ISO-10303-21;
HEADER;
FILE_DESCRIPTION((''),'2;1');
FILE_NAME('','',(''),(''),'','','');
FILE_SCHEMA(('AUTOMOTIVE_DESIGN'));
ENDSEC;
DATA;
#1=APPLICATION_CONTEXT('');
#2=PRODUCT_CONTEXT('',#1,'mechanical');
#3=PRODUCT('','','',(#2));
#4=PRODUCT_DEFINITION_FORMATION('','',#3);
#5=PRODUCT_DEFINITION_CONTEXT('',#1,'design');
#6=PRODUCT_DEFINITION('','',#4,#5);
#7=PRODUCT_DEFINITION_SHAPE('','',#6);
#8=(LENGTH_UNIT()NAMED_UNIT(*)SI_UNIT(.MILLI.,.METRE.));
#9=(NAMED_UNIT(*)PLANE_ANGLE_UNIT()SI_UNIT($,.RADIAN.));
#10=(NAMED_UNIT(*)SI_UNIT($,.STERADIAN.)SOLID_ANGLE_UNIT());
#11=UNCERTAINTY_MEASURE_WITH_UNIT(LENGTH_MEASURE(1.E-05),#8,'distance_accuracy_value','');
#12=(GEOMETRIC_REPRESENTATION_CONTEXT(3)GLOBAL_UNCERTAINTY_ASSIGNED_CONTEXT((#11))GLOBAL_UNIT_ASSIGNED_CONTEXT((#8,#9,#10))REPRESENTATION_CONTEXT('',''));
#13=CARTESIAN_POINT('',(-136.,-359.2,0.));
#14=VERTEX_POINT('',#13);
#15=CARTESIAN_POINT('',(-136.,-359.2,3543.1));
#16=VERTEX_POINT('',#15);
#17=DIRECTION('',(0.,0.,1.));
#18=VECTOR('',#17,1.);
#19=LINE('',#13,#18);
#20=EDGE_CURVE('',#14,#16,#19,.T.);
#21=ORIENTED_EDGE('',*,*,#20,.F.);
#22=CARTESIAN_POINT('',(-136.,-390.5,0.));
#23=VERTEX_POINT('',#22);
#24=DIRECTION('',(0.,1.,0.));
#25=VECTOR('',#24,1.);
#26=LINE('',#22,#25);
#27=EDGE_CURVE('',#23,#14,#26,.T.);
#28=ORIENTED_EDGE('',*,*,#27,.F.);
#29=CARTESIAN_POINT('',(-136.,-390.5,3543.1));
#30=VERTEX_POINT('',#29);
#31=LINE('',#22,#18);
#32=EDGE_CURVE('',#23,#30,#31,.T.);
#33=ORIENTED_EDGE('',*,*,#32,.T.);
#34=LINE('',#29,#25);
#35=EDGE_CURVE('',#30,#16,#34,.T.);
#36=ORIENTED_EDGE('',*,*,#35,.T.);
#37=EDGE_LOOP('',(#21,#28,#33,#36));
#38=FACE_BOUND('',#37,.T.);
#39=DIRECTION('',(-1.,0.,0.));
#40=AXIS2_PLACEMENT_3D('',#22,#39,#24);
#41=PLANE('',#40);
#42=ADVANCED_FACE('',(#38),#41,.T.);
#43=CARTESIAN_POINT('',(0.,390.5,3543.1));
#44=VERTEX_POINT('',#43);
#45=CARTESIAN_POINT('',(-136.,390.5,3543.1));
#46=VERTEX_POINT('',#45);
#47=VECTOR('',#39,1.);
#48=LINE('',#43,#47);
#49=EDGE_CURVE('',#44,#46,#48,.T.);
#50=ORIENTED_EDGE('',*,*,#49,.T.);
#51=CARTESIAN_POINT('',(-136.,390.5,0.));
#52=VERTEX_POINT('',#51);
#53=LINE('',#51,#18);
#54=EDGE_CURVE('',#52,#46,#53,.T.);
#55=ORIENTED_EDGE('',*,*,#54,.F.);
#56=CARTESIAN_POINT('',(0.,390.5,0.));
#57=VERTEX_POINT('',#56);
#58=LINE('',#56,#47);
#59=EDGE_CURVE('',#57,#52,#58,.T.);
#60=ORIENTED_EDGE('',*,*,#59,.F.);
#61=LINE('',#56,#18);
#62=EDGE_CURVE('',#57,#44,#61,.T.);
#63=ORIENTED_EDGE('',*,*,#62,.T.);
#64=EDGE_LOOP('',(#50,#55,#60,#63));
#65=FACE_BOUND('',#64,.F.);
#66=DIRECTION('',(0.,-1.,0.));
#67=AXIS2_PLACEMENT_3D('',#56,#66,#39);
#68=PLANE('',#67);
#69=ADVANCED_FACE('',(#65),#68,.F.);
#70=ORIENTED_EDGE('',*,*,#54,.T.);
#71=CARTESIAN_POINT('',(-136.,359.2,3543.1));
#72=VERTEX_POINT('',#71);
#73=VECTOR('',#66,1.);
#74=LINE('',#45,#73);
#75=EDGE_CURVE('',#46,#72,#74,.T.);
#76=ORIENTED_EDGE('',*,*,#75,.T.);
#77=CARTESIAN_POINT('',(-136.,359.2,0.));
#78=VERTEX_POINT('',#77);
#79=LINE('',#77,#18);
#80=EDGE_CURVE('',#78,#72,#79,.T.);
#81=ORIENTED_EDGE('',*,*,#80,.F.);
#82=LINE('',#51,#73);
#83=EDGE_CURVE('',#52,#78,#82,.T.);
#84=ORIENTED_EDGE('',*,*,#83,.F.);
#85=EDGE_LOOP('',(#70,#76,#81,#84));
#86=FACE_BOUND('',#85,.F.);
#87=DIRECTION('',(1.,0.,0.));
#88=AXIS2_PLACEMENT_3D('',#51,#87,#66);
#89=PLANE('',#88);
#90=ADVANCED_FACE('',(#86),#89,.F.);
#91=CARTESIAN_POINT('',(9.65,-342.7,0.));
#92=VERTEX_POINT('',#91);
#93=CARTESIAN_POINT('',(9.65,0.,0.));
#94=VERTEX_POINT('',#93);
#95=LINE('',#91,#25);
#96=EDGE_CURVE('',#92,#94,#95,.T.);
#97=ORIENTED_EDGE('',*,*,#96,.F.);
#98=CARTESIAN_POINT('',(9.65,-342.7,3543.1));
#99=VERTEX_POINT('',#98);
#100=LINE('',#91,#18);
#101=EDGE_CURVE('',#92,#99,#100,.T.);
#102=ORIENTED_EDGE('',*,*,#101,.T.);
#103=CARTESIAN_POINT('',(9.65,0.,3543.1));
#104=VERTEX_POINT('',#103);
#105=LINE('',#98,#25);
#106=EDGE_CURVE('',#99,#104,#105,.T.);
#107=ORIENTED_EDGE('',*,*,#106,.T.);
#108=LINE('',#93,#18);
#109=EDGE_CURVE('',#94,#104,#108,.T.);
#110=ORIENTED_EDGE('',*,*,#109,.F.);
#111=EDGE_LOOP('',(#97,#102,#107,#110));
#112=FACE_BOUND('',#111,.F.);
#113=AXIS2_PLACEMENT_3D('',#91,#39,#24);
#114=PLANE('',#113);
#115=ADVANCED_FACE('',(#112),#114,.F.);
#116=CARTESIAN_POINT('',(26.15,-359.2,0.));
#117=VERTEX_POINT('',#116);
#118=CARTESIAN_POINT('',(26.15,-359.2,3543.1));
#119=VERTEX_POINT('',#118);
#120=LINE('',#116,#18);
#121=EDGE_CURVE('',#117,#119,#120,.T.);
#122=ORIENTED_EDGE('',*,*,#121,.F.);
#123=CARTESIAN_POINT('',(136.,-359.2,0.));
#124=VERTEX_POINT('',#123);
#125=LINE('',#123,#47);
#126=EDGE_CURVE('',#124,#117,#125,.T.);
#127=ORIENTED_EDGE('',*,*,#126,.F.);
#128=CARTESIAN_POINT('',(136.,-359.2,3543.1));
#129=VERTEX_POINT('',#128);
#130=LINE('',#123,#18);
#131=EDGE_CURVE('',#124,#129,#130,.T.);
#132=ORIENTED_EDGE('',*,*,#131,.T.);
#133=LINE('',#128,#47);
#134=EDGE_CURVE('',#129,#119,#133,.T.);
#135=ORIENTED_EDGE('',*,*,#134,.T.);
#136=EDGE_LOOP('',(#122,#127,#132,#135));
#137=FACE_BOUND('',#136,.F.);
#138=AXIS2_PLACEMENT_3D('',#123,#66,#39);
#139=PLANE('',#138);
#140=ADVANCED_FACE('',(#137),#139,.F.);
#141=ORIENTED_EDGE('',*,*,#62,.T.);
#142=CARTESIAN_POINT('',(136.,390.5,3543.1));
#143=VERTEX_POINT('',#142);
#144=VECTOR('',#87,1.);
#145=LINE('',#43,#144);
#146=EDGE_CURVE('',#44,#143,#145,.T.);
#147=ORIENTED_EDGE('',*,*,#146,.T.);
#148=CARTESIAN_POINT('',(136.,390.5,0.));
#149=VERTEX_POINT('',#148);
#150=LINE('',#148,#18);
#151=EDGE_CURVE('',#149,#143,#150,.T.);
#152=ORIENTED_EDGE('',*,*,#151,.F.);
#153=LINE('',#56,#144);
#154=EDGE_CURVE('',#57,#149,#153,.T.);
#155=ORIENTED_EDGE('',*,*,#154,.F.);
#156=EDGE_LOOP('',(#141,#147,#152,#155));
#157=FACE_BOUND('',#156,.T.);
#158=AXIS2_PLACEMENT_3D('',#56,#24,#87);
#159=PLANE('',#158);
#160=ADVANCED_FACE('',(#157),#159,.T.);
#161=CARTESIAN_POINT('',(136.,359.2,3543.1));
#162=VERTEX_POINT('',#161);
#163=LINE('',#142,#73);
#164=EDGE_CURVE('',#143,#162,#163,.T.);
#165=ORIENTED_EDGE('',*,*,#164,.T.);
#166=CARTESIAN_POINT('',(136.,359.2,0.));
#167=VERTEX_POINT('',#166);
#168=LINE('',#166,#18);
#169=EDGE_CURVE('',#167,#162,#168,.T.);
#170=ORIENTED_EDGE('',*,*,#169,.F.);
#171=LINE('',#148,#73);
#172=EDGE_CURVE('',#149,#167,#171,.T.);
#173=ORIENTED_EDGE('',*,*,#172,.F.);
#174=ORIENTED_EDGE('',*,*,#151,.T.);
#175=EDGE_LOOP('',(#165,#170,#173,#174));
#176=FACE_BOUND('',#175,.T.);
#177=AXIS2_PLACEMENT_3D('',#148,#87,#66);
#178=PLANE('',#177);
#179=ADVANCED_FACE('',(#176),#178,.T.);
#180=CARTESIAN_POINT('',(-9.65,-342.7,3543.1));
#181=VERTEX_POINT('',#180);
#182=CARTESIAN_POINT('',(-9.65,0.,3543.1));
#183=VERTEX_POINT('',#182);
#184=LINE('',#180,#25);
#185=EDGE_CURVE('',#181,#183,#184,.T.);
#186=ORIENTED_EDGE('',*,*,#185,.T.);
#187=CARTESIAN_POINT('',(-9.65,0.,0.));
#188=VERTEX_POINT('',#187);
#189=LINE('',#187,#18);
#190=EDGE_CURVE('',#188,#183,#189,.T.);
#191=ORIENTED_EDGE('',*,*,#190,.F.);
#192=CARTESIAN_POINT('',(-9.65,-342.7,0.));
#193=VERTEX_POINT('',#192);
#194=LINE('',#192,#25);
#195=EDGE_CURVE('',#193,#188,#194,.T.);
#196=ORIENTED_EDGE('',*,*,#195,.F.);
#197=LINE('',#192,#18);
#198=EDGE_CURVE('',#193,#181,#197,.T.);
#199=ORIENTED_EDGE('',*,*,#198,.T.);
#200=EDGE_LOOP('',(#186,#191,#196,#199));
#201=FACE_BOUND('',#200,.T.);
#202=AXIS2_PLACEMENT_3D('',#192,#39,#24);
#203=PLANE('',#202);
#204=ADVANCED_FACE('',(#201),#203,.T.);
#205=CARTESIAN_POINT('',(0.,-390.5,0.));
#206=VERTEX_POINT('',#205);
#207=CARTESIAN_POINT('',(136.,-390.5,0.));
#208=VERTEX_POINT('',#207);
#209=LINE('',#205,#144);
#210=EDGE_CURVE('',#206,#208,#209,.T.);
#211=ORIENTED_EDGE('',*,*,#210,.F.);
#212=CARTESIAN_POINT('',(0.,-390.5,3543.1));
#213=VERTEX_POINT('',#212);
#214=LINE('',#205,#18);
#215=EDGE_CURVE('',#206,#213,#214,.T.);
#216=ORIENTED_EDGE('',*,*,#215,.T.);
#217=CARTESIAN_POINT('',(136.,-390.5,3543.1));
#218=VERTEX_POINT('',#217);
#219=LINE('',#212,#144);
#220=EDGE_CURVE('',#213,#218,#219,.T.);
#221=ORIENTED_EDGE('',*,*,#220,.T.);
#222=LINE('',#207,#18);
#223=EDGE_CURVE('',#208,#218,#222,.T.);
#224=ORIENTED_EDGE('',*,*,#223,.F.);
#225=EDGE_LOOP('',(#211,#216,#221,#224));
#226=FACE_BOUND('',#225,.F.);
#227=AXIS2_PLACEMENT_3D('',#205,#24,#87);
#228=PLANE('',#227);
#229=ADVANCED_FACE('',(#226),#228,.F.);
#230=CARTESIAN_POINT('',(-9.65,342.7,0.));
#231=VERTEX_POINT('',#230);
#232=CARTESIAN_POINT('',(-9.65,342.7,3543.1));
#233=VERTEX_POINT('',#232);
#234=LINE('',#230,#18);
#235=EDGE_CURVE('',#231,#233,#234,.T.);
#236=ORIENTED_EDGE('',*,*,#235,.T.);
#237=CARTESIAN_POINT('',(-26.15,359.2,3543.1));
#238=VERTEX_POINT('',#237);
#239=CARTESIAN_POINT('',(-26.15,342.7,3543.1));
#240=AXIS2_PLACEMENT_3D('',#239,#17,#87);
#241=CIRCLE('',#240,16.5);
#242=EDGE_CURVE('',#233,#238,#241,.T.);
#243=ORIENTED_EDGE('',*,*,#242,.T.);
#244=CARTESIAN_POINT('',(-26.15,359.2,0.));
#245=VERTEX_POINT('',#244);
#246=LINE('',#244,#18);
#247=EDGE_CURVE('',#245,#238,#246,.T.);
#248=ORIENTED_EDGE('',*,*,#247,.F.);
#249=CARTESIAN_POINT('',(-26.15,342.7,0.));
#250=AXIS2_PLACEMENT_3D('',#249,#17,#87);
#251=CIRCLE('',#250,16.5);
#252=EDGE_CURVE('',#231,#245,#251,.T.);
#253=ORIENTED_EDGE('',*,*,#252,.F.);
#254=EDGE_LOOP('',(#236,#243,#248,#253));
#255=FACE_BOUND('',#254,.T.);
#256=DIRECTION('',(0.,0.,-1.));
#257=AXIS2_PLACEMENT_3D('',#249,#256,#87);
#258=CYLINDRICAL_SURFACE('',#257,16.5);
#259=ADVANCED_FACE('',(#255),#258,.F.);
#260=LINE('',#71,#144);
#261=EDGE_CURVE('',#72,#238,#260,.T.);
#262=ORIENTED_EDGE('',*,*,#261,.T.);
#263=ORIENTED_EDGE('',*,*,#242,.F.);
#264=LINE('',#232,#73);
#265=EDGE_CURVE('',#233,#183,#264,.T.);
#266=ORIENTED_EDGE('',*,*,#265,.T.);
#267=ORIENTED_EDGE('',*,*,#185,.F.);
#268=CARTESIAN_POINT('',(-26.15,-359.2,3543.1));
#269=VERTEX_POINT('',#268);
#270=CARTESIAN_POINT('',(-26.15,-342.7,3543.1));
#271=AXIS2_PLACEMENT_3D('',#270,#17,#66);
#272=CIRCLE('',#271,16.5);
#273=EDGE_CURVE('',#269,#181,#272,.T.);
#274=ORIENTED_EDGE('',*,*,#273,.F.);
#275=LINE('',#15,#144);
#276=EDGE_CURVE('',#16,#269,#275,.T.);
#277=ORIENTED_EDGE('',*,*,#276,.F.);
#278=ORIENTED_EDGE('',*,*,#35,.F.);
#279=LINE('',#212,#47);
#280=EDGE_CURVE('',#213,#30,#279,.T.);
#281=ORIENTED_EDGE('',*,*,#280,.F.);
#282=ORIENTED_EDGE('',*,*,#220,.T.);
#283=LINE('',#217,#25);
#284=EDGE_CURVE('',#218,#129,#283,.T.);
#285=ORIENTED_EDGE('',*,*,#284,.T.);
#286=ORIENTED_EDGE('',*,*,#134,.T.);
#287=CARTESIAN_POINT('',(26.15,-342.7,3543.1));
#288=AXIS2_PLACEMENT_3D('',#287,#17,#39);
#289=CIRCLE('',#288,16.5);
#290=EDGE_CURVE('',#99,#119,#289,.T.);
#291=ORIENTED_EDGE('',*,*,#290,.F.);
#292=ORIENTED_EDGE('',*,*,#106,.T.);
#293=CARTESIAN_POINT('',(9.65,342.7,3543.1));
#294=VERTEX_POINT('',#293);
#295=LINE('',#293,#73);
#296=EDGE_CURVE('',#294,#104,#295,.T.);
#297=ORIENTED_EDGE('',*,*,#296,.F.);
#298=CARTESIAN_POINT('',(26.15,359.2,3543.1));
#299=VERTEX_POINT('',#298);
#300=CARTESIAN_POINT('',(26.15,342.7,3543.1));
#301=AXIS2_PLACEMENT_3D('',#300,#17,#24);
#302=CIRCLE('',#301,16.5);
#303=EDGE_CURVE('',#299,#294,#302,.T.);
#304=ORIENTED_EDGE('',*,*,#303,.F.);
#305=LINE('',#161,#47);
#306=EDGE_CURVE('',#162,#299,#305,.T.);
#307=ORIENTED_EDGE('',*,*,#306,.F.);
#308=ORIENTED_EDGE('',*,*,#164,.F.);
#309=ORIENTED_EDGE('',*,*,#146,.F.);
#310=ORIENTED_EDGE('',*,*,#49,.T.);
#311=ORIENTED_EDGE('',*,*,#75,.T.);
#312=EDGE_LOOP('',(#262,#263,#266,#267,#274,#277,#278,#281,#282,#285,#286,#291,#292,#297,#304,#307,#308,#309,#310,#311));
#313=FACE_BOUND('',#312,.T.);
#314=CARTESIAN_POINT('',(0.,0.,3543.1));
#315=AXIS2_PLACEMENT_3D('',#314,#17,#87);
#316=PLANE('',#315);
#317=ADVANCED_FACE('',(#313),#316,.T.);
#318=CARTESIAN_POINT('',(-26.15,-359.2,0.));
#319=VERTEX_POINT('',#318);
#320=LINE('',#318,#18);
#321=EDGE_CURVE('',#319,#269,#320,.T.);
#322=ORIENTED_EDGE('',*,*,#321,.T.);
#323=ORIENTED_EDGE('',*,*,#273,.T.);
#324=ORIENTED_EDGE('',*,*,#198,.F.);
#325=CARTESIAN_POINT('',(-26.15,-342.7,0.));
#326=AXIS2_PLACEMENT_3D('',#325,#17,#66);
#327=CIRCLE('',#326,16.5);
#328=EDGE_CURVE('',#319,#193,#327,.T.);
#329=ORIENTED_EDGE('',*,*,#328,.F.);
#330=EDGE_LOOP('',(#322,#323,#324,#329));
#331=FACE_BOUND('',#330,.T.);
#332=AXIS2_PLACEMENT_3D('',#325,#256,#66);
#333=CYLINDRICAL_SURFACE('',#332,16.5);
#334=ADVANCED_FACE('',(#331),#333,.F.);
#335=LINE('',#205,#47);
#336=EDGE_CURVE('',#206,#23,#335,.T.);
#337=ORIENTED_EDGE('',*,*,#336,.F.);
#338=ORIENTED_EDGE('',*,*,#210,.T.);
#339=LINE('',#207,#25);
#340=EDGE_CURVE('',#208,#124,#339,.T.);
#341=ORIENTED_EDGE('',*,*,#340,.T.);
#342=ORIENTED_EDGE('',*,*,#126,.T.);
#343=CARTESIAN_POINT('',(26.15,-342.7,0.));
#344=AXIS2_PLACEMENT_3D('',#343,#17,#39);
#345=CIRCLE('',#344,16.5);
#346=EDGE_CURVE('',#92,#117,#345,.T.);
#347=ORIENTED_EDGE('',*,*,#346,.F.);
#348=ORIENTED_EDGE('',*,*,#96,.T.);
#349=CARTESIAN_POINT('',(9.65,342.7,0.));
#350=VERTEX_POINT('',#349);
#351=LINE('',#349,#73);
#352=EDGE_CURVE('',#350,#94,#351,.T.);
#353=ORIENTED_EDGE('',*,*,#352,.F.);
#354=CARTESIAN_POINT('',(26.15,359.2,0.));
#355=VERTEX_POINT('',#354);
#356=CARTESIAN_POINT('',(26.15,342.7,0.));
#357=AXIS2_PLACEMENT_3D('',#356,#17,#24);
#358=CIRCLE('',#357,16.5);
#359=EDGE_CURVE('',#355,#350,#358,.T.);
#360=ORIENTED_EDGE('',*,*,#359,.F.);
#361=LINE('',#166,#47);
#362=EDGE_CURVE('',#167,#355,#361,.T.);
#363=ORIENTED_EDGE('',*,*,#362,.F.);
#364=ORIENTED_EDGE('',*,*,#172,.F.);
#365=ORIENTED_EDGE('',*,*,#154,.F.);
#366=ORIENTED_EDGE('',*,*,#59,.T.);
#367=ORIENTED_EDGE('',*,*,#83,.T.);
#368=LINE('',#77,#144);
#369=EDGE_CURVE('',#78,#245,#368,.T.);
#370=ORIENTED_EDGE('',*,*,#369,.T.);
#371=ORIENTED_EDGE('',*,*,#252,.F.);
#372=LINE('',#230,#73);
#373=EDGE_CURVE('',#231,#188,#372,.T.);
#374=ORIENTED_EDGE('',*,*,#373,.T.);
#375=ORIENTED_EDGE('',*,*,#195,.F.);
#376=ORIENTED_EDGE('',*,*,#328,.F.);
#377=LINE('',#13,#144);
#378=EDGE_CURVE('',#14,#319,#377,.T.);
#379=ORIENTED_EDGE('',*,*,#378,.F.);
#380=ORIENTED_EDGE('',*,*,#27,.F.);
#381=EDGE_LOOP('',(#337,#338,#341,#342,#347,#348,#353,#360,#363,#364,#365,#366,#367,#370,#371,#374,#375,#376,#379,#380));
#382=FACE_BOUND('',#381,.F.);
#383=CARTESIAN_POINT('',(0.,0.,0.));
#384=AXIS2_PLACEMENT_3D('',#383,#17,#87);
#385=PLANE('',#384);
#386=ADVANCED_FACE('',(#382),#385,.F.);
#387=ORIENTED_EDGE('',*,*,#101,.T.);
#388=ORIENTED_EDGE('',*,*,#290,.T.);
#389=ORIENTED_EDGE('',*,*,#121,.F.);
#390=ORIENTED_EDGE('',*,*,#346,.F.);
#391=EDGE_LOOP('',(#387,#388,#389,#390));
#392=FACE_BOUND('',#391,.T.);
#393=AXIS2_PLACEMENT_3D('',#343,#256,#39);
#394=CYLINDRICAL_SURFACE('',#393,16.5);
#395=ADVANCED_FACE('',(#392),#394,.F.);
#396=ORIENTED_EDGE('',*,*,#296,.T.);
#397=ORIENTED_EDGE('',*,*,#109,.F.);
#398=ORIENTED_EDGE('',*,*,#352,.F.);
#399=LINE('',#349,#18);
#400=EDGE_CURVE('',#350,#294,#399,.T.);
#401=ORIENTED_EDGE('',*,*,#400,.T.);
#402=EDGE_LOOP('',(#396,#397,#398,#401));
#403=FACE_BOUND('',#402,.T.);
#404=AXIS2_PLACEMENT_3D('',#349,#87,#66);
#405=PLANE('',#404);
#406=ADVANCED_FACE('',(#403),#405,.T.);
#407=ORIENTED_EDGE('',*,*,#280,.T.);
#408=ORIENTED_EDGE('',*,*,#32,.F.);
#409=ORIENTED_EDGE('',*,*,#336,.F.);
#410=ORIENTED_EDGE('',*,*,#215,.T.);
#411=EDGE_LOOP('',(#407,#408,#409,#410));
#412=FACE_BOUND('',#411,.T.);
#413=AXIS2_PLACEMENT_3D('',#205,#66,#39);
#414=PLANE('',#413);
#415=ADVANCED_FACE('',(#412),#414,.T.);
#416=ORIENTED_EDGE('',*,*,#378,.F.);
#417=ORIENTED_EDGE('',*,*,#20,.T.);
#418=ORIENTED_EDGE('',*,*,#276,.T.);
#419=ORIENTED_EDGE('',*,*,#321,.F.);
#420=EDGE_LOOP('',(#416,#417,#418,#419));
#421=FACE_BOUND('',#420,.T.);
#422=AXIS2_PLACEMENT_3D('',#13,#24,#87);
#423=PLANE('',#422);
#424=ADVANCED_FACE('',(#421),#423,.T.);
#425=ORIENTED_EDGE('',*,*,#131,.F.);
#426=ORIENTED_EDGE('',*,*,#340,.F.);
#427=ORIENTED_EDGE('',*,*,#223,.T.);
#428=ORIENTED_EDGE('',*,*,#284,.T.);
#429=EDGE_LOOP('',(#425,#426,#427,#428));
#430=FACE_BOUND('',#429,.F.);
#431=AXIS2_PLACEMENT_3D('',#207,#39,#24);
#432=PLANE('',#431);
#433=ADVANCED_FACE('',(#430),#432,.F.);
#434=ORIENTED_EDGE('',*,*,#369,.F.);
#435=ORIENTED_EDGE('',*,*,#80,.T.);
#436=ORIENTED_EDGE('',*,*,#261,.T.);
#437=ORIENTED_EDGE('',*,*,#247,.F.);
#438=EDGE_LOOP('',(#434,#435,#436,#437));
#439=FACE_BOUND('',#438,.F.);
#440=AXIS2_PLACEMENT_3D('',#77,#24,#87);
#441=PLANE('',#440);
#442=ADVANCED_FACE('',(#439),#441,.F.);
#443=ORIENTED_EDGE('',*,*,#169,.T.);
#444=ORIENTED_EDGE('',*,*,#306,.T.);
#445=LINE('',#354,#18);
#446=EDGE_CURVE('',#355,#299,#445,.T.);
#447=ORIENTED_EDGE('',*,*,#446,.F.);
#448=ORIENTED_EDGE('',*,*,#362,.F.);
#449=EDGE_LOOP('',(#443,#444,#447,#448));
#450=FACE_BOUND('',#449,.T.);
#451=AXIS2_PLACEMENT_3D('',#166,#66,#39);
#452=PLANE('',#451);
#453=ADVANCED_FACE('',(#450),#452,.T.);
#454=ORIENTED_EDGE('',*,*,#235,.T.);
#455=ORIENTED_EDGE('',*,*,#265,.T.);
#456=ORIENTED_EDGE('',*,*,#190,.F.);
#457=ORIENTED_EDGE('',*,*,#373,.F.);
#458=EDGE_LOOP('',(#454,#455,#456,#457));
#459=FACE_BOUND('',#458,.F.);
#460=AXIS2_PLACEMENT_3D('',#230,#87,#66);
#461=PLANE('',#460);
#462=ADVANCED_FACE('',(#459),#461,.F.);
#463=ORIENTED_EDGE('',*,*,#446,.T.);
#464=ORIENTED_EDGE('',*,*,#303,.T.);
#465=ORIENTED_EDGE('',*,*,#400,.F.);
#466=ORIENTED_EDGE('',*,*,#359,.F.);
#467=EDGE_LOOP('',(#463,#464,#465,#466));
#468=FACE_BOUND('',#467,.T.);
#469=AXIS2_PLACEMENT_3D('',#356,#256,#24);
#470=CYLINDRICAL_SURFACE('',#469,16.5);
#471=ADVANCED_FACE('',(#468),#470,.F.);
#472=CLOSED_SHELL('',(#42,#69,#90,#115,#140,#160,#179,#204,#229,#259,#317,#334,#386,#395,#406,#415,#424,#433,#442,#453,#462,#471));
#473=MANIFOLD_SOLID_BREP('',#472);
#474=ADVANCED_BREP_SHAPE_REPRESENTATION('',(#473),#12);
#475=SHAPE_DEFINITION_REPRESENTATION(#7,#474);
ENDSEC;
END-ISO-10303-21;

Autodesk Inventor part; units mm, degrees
ref_plane "YZ Plane" through (0, 0, 0) normal (1, 0, 0) x (0, 1, 0)
ref_plane "Start plane" through (0, 0, 0) normal (0, 0, 1) x (1, 0, 0)
ref_plane "End plane" through (0, 0, 3543.1) normal (0, 0, 1) x (1, 0, 0)
sketch "Sketch" plane through (0, 0, 0) normal (0, 0, 1) x (1, 0, 0)
  line L0 (-136, -390.5) -> (-136, -359.2)
  line L1 (-136, -359.2) -> (-26.15, -359.2)
  line L2 (-9.65, -342.7) -> (-9.65, 0)
  line L3 (-9.65, 0) -> (0, 0) construction
  line L4 (0, 0) -> (0, -390.5) construction
  line L5 (0, -390.5) -> (-136, -390.5)
  line L6 (-60, 0) -> (80, 0) construction
  line L7 (0, -60) -> (0, 80) construction
  line L8 (136, -390.5) -> (136, -359.2)
  line L9 (136, -359.2) -> (26.15, -359.2)
  line L10 (9.65, -342.7) -> (9.65, 0)
  line L11 (9.65, 0) -> (0, 0) construction
  line L12 (0, -390.5) -> (136, -390.5)
  line L13 (-136, 390.5) -> (-136, 359.2)
  line L14 (-136, 359.2) -> (-26.15, 359.2)
  line L15 (-9.65, 342.7) -> (-9.65, 0)
  line L16 (0, 390.5) -> (-136, 390.5)
  line L17 (136, 390.5) -> (136, 359.2)
  line L18 (136, 359.2) -> (26.15, 359.2)
  line L19 (0, 390.5) -> (136, 390.5)
  line L20 (9.65, 342.7) -> (9.65, 0)
  arc A0 (-9.65, 342.7) -> (-26.15, 359.2) centre (-26.15, 342.7) ccw
  arc A1 (26.15, 359.2) -> (9.65, 342.7) centre (26.15, 342.7) ccw
  arc A2 (9.65, -342.7) -> (26.15, -359.2) centre (26.15, -342.7) ccw
  arc A3 (-26.15, -359.2) -> (-9.65, -342.7) centre (-26.15, -342.7) ccw
  line L21 (0, 108) -> (0, -88) construction
  line L22 (-88, 0) -> (108, 0) construction
  point P0 (-9.65, -359.2)
  point P1 (9.65, -359.2)
  point P2 (-9.65, 359.2)
  point P3 (9.65, 359.2)
  dimension "d1" = 390.5
  dimension "d2" = 31.3
  dimension "d3" = 136
  dimension "d4" = 9.65
  dimension "d10" = 16.5
extrude "Body" add sketch "Sketch" along normal up to surface (3543.1 mm away) from surface at 0
sketch "Sketch4" plane through (0, 0, 0) normal (0, 0, 1) x (1, 0, 0)
  line L0 (0, 0) -> (10, 0)
ref_plane "Work Plane3" through (0, 0, 0) normal (0, -1, 0) x (1, 0, 0)
sketch "Sketch5" plane through (0, 0, 0) normal (0, -1, 0) x (1, 0, 0)
  line L0 (-2, 0) -> (12, 0) projected
  line L1 (-2, 3543.1) -> (12, 3543.1) projected
  dimension "d14" = 3543.1
equation "\"d1\" = 0.5 * G_H"
equation "\"d2\" = G_T1"
equation "\"d3\" = 0.5 * G_W"
equation "\"d4\" = 0.5 * G_T"
equation "\"d10\" = G_IR"
equation "\"d5\" = G_L"
equation "\"G_W\" = 272"
equation "\"G_H\" = 781"
equation "\"G_T\" = 19.3"
equation "\"G_T1\" = 31.3"
equation "\"G_IR\" = 16.5"
equation "\"G_L\" = d14"
equation "\"G_OFFSET_START\" = 0"
equation "\"G_OFFSET_END\" = 0"
equation "\"d12\" = G_OFFSET_END + B_L"
equation "\"B_L\" = 3543.1"
properties part number "AS 3679-1990 - 760 UB - 244 - 3543.1" material "Steel, Mild"
